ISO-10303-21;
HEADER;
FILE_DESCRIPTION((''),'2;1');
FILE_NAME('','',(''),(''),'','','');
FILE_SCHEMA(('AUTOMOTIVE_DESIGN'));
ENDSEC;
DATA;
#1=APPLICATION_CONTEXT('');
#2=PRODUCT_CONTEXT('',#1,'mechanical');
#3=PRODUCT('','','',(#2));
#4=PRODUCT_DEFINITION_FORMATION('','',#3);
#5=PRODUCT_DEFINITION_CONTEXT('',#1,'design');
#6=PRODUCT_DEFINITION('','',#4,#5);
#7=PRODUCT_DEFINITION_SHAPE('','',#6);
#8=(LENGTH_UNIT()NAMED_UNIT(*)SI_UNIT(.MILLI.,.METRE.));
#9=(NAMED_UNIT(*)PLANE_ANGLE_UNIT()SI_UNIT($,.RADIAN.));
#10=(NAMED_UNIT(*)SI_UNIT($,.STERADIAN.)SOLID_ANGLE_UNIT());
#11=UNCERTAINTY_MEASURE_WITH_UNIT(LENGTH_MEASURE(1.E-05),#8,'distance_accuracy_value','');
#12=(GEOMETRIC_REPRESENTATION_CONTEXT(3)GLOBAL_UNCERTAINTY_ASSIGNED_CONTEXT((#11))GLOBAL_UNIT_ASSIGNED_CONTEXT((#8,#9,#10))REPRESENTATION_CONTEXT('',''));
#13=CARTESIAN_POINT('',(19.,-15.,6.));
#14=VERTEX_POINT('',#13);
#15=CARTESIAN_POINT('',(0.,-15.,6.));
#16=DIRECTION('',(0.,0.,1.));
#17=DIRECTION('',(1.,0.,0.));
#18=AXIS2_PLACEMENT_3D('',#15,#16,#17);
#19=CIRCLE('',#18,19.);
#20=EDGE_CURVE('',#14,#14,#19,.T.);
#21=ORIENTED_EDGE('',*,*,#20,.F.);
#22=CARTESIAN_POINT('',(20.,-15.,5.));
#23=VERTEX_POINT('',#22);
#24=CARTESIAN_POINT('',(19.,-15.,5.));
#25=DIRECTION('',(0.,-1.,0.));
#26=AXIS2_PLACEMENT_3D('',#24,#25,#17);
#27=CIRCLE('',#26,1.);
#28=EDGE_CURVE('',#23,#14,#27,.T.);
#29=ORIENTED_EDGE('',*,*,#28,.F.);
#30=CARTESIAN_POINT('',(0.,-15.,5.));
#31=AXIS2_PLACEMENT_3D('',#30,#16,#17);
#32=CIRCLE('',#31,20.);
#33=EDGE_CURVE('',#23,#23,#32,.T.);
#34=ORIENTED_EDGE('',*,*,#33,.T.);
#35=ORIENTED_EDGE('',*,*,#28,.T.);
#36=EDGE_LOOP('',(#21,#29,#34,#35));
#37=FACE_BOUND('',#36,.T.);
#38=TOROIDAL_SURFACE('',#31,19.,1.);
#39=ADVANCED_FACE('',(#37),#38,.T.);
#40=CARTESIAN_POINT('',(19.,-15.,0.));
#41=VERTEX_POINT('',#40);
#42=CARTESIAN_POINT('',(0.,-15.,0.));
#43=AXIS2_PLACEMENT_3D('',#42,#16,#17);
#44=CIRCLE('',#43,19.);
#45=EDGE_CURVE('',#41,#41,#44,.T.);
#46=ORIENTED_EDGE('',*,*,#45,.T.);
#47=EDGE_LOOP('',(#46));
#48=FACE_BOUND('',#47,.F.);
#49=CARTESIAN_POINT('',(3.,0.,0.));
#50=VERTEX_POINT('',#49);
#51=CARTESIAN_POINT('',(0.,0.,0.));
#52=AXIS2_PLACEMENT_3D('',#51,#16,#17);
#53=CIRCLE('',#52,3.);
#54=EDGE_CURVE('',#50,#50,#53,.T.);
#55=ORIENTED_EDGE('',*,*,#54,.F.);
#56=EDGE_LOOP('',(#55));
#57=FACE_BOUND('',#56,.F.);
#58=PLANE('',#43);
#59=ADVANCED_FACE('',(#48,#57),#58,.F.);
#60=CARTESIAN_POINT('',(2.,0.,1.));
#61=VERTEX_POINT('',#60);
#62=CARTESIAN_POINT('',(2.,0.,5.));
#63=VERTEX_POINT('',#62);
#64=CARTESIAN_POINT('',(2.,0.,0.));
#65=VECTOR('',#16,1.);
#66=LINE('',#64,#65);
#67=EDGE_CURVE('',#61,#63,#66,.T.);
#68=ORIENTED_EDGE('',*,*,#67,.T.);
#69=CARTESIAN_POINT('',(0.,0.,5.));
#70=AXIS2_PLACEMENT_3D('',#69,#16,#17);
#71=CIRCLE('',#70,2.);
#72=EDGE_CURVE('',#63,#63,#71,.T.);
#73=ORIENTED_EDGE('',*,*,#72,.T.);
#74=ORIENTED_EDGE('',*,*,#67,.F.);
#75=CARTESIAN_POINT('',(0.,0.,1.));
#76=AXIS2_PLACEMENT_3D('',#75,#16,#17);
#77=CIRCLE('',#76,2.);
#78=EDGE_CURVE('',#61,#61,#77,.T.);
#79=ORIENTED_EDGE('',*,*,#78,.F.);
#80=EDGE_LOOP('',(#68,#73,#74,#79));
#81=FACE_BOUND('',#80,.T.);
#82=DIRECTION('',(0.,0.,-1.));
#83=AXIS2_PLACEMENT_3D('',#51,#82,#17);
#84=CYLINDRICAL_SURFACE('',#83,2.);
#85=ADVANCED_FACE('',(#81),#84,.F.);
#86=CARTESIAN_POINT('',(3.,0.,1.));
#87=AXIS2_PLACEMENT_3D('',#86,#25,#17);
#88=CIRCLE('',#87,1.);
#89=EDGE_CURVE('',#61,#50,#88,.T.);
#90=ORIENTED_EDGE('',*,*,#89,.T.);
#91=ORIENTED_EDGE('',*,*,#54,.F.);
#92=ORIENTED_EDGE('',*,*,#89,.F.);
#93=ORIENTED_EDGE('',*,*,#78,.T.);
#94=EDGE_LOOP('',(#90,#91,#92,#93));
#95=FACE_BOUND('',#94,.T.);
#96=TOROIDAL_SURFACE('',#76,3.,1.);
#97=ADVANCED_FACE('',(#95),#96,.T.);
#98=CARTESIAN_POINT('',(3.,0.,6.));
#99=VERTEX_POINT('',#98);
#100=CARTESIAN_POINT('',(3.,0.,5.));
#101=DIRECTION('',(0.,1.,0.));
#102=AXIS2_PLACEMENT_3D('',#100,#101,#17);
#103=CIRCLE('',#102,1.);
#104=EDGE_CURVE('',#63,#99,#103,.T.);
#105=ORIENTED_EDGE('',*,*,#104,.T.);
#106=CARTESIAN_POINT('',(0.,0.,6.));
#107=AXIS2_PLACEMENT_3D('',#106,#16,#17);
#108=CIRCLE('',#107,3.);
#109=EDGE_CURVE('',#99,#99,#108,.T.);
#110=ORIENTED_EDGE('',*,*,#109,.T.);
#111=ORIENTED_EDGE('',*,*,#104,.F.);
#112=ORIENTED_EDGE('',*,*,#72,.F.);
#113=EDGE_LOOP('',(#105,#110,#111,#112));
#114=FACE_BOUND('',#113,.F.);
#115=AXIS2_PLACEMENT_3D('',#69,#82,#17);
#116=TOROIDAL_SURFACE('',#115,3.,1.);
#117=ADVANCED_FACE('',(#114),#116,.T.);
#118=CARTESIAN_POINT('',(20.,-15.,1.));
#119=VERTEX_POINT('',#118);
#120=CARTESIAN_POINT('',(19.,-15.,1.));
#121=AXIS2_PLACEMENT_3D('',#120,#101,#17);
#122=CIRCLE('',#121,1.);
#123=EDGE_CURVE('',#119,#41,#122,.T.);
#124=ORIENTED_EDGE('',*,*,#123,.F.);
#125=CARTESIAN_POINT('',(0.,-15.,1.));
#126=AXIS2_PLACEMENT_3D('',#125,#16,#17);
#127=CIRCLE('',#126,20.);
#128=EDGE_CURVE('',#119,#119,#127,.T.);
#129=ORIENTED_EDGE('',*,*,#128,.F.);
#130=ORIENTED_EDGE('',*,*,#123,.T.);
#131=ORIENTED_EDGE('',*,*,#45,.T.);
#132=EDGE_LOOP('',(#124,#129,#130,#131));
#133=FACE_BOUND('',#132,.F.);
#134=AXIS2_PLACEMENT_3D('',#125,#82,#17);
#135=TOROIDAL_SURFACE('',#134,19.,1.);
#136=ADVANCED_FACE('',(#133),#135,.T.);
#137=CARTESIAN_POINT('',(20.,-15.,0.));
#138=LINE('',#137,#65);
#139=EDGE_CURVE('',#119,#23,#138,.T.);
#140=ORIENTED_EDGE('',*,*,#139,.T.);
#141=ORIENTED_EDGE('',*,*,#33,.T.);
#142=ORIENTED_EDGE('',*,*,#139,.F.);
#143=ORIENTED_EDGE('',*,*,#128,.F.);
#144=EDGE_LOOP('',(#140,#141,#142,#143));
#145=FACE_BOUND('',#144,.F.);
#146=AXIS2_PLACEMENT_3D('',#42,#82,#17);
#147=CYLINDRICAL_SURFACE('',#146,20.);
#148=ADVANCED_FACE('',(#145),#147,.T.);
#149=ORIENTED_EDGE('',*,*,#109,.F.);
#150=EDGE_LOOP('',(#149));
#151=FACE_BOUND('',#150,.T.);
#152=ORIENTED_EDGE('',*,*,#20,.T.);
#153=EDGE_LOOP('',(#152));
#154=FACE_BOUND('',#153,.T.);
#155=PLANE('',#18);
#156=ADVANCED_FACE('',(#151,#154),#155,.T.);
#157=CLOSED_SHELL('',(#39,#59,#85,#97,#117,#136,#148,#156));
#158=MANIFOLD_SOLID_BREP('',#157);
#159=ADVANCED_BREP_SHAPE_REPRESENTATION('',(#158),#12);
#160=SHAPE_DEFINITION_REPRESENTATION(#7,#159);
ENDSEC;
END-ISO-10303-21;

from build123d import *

# Parameters (mm, degrees)
F0_R     = 20
F0_R_2   = 2
F1_DEPTH = 6
F2_R     = 1


with BuildPart() as f1:
    # F0 (on Top) → F1 (new body)
    with BuildSketch(Plane.XY):
        with Locations((0, -15)):
            Circle(F0_R)
        Circle(F0_R_2, mode=Mode.SUBTRACT)
    extrude(amount=F1_DEPTH)

    # F2
    f2_edges = [f1.edges().sort_by_distance(p)[0] for p in [
        (-20, -15, 6),
        (-2, 0, 6),
        (-20, -15, 0),
        (-2, 0, 0),
    ]]
    fillet(f2_edges, radius=F2_R)


solid = f1.part
